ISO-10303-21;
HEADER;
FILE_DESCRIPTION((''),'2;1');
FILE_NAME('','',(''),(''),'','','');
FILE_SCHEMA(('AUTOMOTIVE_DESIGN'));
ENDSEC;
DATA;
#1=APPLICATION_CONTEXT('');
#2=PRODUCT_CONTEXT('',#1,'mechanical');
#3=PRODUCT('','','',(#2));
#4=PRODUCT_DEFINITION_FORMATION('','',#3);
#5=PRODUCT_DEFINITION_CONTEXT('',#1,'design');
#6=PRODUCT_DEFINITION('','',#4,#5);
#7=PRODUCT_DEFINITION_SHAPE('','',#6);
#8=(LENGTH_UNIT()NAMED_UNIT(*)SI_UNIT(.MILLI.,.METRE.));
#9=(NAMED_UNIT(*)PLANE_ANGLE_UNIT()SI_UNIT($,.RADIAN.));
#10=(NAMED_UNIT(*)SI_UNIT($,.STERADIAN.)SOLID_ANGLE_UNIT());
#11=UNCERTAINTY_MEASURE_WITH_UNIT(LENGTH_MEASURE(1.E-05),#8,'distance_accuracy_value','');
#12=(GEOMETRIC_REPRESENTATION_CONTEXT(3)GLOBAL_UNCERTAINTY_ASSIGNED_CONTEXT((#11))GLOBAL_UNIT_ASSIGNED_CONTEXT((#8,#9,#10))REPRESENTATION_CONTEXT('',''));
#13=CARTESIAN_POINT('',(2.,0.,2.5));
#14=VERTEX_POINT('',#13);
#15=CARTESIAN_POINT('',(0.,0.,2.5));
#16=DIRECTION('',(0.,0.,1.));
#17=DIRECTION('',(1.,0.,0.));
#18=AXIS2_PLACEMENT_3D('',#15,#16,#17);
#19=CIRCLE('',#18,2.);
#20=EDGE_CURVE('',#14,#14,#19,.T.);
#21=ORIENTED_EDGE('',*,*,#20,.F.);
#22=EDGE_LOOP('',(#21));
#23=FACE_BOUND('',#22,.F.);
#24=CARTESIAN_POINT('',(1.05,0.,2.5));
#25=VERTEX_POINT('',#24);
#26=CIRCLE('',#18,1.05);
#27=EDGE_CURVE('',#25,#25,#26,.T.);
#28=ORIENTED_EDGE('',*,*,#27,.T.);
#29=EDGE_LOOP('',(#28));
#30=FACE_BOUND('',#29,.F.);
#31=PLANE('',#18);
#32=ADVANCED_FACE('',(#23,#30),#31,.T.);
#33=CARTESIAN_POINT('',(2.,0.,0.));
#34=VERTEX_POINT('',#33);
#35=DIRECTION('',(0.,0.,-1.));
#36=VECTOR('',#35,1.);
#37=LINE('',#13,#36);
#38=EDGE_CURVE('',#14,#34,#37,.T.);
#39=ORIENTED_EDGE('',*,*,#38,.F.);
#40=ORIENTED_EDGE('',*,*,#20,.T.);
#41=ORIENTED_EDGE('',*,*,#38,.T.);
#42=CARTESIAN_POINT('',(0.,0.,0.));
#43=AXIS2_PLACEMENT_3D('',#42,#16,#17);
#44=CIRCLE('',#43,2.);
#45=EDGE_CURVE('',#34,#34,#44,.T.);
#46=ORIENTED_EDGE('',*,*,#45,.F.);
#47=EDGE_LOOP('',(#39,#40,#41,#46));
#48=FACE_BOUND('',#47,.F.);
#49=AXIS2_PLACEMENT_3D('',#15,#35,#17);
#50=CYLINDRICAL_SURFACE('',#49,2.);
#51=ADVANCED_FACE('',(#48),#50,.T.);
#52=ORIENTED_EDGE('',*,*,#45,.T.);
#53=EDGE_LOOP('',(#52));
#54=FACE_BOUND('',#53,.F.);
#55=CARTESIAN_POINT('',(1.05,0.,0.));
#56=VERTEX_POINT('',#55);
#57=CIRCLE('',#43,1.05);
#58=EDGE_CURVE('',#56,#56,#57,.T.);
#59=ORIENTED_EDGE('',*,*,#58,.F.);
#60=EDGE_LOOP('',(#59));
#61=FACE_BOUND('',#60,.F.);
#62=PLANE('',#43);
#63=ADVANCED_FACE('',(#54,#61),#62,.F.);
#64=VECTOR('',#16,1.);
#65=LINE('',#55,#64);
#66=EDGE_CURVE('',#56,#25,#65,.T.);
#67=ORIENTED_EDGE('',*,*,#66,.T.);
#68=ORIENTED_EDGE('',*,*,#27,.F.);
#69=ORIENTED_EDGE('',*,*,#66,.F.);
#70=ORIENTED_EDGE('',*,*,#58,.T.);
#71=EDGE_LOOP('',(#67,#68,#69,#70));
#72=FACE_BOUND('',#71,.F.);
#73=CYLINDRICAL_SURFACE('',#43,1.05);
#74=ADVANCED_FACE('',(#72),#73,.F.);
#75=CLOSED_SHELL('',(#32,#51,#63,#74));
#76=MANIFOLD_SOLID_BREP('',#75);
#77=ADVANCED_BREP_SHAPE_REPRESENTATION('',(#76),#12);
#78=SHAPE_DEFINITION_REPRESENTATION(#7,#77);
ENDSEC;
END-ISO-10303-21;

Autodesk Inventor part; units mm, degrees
ref_plane "YZ Plane" through (0, 0, 0) normal (1, 0, 0) x (0, 1, 0)
ref_plane "XZ Plane" through (0, 0, 0) normal (0, 1, 0) x (-1, 0, 0)
ref_plane "XY Plane" through (0, 0, 0) normal (0, 0, 1) x (1, 0, 0)
sketch "スケッチ1" plane through (0, 0, 0) normal (0, 1, 0) x (-1, 0, 0)
  line L0 (-1.05, 0) -> (-1.05, 2.5)
  line L1 (-1.05, 2.5) -> (-2, 2.5)
  line L2 (-2, 2.5) -> (-2, 0)
  line L3 (-2, 0) -> (-1.05, 0)
  line L4 (0, 0) -> (0, 2.5) construction
  dimension "d0" = 2.5
  dimension "d1" = 2.1
  dimension "d2" = 4
revolve "回転1" add sketch "スケッチ1" angle 360 about axis through (0, 0, 0) along (0, 0, 1)
properties part number "C-2002.5-4" material "アセタール樹脂、白"
